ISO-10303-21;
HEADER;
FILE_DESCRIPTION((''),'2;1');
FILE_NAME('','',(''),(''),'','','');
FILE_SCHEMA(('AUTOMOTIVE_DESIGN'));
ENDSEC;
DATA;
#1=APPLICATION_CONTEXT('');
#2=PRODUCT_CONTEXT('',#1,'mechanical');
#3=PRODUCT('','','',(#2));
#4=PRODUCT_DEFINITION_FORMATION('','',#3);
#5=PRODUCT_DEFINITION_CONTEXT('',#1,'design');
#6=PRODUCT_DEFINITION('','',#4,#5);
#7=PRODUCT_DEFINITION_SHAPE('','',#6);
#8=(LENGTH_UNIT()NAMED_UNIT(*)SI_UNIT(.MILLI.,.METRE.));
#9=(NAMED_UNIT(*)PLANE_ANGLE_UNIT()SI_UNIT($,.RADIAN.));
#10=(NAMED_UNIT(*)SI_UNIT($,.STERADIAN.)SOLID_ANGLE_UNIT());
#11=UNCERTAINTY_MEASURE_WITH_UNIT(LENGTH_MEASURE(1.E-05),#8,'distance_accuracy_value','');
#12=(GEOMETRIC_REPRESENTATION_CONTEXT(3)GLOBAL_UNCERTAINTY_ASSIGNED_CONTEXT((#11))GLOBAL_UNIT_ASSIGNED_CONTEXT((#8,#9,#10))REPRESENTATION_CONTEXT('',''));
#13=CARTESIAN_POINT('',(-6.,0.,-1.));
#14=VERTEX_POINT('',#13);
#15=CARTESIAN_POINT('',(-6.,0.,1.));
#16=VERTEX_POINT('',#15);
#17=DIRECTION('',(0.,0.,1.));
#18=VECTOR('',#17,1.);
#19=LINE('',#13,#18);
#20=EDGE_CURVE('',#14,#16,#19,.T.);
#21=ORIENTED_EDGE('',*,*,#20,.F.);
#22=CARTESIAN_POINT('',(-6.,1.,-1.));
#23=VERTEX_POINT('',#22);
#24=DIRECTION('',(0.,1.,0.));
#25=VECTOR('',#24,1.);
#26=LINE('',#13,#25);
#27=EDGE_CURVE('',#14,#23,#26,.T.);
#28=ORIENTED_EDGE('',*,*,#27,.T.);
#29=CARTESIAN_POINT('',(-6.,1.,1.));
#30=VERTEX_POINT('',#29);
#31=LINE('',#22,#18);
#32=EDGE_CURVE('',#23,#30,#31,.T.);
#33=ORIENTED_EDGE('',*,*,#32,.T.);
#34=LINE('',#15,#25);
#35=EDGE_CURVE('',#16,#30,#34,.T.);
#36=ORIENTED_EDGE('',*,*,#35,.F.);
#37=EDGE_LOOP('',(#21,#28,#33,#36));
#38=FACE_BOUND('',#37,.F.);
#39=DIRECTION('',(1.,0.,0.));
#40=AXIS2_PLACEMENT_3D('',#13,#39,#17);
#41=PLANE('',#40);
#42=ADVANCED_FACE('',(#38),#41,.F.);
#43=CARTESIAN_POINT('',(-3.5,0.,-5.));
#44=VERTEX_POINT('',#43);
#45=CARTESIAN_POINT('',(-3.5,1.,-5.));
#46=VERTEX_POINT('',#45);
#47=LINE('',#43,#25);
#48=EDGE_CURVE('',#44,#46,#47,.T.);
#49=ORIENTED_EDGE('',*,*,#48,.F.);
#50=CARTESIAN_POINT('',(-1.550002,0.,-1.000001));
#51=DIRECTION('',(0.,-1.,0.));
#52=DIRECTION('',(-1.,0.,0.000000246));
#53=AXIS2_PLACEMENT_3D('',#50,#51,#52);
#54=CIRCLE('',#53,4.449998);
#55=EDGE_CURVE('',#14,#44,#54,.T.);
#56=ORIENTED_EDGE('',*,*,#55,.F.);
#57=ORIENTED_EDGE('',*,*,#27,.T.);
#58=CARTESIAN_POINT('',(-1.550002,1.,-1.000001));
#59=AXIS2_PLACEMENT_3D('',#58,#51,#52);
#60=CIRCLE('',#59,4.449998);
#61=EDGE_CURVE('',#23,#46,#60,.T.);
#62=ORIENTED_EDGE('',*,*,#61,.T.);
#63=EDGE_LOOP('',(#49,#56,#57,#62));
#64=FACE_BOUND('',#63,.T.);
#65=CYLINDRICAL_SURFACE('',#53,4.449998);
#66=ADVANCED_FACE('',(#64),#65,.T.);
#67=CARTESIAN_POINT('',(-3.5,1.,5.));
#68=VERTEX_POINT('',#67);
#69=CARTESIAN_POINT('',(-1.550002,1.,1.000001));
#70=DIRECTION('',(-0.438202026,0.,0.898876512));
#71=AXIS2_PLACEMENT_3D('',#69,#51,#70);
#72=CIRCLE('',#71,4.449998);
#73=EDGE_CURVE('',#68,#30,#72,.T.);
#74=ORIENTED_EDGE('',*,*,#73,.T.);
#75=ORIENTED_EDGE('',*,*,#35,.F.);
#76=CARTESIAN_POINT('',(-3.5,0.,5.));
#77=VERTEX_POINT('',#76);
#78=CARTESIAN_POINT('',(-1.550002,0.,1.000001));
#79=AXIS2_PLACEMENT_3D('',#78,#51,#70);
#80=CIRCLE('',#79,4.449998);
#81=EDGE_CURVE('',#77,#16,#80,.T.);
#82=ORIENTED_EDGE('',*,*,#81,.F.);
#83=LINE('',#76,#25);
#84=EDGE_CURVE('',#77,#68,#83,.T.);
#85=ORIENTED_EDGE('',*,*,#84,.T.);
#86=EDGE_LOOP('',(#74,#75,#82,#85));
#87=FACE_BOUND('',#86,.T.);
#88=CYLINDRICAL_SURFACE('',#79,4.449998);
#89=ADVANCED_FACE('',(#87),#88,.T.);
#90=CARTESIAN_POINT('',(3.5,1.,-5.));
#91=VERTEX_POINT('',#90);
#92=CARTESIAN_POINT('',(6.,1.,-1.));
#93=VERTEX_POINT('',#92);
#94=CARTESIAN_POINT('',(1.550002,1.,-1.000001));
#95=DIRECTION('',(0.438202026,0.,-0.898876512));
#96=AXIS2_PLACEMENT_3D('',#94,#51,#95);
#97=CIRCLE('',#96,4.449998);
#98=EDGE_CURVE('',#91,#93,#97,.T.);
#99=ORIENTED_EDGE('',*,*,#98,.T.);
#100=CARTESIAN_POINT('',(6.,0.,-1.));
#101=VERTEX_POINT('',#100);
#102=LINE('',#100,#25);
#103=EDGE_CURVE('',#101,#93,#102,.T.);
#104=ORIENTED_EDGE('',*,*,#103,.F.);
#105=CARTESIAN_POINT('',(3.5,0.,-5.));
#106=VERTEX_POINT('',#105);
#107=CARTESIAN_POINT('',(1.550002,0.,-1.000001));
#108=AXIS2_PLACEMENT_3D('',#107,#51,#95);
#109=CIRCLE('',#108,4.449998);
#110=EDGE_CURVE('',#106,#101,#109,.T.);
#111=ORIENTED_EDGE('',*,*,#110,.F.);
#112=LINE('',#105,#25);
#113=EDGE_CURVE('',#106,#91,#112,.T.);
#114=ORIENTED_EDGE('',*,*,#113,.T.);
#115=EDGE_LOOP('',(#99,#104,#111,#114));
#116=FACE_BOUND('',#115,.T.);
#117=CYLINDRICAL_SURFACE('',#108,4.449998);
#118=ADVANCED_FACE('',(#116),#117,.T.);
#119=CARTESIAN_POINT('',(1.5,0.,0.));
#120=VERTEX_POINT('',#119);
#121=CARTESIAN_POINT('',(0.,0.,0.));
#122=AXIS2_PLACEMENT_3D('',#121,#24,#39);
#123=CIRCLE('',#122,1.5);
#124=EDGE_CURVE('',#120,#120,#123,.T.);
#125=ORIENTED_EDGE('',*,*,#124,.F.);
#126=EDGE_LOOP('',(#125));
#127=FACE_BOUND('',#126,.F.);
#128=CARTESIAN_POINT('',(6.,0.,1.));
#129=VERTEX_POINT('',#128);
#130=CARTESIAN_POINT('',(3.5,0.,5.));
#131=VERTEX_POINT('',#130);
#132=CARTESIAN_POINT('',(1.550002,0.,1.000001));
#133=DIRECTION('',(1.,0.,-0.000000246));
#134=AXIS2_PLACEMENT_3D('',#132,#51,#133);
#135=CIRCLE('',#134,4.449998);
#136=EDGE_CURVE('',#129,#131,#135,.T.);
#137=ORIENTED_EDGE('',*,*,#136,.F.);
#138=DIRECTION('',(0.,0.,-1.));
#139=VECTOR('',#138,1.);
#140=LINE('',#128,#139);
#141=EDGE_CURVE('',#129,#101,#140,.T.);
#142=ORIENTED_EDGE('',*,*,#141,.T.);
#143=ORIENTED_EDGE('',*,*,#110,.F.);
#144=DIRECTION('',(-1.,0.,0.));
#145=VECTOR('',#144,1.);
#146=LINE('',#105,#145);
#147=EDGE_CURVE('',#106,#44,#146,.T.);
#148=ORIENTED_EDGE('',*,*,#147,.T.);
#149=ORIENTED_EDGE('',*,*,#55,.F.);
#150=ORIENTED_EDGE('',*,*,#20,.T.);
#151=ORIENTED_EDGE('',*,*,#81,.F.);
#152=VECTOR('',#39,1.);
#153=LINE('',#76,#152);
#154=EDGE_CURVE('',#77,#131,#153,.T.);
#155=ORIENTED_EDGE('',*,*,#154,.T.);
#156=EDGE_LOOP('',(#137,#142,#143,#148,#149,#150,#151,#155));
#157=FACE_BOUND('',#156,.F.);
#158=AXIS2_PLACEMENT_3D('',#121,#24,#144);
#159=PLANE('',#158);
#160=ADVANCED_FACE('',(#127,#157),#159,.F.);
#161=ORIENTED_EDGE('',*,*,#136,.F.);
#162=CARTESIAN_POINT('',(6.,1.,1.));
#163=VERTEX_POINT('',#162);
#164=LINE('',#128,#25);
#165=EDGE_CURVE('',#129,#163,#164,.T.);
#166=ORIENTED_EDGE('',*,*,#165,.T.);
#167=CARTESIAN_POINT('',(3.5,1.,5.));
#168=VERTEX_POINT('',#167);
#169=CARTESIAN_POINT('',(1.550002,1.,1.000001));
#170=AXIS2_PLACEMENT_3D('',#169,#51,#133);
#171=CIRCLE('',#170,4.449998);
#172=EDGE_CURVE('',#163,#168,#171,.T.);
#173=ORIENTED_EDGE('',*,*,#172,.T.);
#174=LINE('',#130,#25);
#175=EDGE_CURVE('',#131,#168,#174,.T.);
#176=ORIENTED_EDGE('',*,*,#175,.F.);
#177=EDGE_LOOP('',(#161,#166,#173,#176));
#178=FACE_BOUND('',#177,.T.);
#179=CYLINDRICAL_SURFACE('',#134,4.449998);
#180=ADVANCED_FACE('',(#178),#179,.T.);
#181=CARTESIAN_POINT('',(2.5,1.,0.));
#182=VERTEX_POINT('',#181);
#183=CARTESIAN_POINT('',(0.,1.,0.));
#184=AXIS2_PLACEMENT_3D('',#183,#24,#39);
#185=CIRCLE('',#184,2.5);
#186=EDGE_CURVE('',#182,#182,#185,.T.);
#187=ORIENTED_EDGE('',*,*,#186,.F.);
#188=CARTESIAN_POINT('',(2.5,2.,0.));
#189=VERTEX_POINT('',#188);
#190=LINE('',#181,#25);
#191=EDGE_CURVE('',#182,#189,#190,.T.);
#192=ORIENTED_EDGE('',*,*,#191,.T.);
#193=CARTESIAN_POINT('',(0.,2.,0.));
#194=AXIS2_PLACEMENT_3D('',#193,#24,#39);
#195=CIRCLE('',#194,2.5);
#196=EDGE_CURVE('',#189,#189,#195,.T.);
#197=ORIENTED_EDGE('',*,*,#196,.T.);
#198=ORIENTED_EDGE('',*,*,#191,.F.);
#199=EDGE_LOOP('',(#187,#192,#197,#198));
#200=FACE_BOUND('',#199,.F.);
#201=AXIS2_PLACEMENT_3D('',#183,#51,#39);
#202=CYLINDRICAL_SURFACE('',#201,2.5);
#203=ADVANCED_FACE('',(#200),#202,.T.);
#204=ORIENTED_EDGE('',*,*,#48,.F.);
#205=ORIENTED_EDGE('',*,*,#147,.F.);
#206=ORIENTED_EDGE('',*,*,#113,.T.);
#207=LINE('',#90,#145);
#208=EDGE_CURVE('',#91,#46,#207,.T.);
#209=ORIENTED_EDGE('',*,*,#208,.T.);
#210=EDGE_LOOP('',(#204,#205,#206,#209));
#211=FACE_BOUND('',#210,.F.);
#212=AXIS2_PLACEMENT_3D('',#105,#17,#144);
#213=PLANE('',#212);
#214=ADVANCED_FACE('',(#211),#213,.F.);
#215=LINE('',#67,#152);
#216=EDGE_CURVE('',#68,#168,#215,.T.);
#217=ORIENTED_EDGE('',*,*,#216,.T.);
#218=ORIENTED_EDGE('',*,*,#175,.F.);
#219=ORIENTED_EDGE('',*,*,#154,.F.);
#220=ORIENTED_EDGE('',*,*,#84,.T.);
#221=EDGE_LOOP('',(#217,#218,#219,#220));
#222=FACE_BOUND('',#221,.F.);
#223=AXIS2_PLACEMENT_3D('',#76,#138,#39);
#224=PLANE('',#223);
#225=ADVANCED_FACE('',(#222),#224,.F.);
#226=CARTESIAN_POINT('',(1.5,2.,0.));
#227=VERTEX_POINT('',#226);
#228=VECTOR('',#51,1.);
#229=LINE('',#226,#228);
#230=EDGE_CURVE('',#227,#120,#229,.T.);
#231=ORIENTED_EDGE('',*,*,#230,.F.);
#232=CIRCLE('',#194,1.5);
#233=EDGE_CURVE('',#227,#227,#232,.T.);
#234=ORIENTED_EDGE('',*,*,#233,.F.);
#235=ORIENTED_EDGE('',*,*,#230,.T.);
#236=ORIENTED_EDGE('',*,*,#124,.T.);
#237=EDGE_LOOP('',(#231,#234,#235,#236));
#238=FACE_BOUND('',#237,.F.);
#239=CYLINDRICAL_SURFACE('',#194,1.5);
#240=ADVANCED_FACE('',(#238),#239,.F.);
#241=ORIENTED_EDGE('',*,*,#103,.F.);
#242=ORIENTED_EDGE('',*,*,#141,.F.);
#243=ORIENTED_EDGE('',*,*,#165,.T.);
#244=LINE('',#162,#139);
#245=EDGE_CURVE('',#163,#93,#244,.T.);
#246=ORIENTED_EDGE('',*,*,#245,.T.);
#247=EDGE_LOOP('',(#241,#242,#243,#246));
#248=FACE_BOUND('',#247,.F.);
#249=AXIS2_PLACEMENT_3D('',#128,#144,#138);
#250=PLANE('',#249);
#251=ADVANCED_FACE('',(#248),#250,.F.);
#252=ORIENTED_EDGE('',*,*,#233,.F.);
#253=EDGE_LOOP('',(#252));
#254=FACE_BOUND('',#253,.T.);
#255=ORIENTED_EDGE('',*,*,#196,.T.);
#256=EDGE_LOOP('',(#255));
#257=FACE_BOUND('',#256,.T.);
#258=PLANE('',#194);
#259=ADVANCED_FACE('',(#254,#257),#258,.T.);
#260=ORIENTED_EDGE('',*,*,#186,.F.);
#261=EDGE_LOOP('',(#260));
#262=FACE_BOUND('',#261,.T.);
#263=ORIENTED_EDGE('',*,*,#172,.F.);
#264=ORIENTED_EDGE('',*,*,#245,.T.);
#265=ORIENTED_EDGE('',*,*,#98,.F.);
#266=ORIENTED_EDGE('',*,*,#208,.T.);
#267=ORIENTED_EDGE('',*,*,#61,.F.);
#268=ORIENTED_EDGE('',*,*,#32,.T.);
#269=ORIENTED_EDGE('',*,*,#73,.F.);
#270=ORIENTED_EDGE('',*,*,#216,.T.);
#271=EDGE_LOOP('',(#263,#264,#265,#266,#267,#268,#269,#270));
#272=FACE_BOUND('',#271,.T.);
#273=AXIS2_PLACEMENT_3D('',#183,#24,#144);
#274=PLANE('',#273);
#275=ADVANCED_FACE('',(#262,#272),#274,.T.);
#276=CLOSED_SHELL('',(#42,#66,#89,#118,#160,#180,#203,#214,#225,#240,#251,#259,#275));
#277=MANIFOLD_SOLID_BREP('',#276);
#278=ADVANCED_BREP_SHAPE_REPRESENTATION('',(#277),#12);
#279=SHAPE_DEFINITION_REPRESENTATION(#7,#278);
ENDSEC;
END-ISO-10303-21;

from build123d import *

# Parameters (mm, degrees)
PAD001_DEPTH    = 1
SKETCH004_R     = 2.5
PAD002_DEPTH    = 1
SKETCH005_R     = 1.5
POCKET002_DEPTH = 2.001


with BuildPart() as part:
    # Sketch003 → Pad001 (new body)
    with BuildSketch(Plane.XZ):
        with BuildLine():
            Line((-3.5, 5), (3.5, 5))
            ThreePointArc((6, 1), (5.323593, 3.358495), (3.5, 5))
            Line((6, 1), (6, -1))
            ThreePointArc((3.5, -5), (5.323593, -3.358495), (6, -1))
            Line((3.5, -5), (-3.5, -5))
            ThreePointArc((-6, -1), (-5.323593, -3.358495), (-3.5, -5))
            Line((-6, -1), (-6, 1))
            ThreePointArc((-3.5, 5), (-5.323593, 3.358495), (-6, 1))
        make_face()
    extrude(amount=-PAD001_DEPTH)

    # Sketch004 (on Face10 of Pad001) → Pad002 (join)
    with BuildSketch(Plane(origin=(0, 1, 0), x_dir=(1, 0, 0), z_dir=(0, 1, 0))):
        Circle(SKETCH004_R)
    extrude(amount=PAD002_DEPTH)

    # Sketch005 (on Face12 of Pad002) → Pocket002 (cut, through all)
    with BuildSketch(Plane(origin=(0, 2, 0), x_dir=(1, 0, 0), z_dir=(0, 1, 0))):
        Circle(SKETCH005_R)
    extrude(amount=-POCKET002_DEPTH, mode=Mode.SUBTRACT)


solid = part.part
